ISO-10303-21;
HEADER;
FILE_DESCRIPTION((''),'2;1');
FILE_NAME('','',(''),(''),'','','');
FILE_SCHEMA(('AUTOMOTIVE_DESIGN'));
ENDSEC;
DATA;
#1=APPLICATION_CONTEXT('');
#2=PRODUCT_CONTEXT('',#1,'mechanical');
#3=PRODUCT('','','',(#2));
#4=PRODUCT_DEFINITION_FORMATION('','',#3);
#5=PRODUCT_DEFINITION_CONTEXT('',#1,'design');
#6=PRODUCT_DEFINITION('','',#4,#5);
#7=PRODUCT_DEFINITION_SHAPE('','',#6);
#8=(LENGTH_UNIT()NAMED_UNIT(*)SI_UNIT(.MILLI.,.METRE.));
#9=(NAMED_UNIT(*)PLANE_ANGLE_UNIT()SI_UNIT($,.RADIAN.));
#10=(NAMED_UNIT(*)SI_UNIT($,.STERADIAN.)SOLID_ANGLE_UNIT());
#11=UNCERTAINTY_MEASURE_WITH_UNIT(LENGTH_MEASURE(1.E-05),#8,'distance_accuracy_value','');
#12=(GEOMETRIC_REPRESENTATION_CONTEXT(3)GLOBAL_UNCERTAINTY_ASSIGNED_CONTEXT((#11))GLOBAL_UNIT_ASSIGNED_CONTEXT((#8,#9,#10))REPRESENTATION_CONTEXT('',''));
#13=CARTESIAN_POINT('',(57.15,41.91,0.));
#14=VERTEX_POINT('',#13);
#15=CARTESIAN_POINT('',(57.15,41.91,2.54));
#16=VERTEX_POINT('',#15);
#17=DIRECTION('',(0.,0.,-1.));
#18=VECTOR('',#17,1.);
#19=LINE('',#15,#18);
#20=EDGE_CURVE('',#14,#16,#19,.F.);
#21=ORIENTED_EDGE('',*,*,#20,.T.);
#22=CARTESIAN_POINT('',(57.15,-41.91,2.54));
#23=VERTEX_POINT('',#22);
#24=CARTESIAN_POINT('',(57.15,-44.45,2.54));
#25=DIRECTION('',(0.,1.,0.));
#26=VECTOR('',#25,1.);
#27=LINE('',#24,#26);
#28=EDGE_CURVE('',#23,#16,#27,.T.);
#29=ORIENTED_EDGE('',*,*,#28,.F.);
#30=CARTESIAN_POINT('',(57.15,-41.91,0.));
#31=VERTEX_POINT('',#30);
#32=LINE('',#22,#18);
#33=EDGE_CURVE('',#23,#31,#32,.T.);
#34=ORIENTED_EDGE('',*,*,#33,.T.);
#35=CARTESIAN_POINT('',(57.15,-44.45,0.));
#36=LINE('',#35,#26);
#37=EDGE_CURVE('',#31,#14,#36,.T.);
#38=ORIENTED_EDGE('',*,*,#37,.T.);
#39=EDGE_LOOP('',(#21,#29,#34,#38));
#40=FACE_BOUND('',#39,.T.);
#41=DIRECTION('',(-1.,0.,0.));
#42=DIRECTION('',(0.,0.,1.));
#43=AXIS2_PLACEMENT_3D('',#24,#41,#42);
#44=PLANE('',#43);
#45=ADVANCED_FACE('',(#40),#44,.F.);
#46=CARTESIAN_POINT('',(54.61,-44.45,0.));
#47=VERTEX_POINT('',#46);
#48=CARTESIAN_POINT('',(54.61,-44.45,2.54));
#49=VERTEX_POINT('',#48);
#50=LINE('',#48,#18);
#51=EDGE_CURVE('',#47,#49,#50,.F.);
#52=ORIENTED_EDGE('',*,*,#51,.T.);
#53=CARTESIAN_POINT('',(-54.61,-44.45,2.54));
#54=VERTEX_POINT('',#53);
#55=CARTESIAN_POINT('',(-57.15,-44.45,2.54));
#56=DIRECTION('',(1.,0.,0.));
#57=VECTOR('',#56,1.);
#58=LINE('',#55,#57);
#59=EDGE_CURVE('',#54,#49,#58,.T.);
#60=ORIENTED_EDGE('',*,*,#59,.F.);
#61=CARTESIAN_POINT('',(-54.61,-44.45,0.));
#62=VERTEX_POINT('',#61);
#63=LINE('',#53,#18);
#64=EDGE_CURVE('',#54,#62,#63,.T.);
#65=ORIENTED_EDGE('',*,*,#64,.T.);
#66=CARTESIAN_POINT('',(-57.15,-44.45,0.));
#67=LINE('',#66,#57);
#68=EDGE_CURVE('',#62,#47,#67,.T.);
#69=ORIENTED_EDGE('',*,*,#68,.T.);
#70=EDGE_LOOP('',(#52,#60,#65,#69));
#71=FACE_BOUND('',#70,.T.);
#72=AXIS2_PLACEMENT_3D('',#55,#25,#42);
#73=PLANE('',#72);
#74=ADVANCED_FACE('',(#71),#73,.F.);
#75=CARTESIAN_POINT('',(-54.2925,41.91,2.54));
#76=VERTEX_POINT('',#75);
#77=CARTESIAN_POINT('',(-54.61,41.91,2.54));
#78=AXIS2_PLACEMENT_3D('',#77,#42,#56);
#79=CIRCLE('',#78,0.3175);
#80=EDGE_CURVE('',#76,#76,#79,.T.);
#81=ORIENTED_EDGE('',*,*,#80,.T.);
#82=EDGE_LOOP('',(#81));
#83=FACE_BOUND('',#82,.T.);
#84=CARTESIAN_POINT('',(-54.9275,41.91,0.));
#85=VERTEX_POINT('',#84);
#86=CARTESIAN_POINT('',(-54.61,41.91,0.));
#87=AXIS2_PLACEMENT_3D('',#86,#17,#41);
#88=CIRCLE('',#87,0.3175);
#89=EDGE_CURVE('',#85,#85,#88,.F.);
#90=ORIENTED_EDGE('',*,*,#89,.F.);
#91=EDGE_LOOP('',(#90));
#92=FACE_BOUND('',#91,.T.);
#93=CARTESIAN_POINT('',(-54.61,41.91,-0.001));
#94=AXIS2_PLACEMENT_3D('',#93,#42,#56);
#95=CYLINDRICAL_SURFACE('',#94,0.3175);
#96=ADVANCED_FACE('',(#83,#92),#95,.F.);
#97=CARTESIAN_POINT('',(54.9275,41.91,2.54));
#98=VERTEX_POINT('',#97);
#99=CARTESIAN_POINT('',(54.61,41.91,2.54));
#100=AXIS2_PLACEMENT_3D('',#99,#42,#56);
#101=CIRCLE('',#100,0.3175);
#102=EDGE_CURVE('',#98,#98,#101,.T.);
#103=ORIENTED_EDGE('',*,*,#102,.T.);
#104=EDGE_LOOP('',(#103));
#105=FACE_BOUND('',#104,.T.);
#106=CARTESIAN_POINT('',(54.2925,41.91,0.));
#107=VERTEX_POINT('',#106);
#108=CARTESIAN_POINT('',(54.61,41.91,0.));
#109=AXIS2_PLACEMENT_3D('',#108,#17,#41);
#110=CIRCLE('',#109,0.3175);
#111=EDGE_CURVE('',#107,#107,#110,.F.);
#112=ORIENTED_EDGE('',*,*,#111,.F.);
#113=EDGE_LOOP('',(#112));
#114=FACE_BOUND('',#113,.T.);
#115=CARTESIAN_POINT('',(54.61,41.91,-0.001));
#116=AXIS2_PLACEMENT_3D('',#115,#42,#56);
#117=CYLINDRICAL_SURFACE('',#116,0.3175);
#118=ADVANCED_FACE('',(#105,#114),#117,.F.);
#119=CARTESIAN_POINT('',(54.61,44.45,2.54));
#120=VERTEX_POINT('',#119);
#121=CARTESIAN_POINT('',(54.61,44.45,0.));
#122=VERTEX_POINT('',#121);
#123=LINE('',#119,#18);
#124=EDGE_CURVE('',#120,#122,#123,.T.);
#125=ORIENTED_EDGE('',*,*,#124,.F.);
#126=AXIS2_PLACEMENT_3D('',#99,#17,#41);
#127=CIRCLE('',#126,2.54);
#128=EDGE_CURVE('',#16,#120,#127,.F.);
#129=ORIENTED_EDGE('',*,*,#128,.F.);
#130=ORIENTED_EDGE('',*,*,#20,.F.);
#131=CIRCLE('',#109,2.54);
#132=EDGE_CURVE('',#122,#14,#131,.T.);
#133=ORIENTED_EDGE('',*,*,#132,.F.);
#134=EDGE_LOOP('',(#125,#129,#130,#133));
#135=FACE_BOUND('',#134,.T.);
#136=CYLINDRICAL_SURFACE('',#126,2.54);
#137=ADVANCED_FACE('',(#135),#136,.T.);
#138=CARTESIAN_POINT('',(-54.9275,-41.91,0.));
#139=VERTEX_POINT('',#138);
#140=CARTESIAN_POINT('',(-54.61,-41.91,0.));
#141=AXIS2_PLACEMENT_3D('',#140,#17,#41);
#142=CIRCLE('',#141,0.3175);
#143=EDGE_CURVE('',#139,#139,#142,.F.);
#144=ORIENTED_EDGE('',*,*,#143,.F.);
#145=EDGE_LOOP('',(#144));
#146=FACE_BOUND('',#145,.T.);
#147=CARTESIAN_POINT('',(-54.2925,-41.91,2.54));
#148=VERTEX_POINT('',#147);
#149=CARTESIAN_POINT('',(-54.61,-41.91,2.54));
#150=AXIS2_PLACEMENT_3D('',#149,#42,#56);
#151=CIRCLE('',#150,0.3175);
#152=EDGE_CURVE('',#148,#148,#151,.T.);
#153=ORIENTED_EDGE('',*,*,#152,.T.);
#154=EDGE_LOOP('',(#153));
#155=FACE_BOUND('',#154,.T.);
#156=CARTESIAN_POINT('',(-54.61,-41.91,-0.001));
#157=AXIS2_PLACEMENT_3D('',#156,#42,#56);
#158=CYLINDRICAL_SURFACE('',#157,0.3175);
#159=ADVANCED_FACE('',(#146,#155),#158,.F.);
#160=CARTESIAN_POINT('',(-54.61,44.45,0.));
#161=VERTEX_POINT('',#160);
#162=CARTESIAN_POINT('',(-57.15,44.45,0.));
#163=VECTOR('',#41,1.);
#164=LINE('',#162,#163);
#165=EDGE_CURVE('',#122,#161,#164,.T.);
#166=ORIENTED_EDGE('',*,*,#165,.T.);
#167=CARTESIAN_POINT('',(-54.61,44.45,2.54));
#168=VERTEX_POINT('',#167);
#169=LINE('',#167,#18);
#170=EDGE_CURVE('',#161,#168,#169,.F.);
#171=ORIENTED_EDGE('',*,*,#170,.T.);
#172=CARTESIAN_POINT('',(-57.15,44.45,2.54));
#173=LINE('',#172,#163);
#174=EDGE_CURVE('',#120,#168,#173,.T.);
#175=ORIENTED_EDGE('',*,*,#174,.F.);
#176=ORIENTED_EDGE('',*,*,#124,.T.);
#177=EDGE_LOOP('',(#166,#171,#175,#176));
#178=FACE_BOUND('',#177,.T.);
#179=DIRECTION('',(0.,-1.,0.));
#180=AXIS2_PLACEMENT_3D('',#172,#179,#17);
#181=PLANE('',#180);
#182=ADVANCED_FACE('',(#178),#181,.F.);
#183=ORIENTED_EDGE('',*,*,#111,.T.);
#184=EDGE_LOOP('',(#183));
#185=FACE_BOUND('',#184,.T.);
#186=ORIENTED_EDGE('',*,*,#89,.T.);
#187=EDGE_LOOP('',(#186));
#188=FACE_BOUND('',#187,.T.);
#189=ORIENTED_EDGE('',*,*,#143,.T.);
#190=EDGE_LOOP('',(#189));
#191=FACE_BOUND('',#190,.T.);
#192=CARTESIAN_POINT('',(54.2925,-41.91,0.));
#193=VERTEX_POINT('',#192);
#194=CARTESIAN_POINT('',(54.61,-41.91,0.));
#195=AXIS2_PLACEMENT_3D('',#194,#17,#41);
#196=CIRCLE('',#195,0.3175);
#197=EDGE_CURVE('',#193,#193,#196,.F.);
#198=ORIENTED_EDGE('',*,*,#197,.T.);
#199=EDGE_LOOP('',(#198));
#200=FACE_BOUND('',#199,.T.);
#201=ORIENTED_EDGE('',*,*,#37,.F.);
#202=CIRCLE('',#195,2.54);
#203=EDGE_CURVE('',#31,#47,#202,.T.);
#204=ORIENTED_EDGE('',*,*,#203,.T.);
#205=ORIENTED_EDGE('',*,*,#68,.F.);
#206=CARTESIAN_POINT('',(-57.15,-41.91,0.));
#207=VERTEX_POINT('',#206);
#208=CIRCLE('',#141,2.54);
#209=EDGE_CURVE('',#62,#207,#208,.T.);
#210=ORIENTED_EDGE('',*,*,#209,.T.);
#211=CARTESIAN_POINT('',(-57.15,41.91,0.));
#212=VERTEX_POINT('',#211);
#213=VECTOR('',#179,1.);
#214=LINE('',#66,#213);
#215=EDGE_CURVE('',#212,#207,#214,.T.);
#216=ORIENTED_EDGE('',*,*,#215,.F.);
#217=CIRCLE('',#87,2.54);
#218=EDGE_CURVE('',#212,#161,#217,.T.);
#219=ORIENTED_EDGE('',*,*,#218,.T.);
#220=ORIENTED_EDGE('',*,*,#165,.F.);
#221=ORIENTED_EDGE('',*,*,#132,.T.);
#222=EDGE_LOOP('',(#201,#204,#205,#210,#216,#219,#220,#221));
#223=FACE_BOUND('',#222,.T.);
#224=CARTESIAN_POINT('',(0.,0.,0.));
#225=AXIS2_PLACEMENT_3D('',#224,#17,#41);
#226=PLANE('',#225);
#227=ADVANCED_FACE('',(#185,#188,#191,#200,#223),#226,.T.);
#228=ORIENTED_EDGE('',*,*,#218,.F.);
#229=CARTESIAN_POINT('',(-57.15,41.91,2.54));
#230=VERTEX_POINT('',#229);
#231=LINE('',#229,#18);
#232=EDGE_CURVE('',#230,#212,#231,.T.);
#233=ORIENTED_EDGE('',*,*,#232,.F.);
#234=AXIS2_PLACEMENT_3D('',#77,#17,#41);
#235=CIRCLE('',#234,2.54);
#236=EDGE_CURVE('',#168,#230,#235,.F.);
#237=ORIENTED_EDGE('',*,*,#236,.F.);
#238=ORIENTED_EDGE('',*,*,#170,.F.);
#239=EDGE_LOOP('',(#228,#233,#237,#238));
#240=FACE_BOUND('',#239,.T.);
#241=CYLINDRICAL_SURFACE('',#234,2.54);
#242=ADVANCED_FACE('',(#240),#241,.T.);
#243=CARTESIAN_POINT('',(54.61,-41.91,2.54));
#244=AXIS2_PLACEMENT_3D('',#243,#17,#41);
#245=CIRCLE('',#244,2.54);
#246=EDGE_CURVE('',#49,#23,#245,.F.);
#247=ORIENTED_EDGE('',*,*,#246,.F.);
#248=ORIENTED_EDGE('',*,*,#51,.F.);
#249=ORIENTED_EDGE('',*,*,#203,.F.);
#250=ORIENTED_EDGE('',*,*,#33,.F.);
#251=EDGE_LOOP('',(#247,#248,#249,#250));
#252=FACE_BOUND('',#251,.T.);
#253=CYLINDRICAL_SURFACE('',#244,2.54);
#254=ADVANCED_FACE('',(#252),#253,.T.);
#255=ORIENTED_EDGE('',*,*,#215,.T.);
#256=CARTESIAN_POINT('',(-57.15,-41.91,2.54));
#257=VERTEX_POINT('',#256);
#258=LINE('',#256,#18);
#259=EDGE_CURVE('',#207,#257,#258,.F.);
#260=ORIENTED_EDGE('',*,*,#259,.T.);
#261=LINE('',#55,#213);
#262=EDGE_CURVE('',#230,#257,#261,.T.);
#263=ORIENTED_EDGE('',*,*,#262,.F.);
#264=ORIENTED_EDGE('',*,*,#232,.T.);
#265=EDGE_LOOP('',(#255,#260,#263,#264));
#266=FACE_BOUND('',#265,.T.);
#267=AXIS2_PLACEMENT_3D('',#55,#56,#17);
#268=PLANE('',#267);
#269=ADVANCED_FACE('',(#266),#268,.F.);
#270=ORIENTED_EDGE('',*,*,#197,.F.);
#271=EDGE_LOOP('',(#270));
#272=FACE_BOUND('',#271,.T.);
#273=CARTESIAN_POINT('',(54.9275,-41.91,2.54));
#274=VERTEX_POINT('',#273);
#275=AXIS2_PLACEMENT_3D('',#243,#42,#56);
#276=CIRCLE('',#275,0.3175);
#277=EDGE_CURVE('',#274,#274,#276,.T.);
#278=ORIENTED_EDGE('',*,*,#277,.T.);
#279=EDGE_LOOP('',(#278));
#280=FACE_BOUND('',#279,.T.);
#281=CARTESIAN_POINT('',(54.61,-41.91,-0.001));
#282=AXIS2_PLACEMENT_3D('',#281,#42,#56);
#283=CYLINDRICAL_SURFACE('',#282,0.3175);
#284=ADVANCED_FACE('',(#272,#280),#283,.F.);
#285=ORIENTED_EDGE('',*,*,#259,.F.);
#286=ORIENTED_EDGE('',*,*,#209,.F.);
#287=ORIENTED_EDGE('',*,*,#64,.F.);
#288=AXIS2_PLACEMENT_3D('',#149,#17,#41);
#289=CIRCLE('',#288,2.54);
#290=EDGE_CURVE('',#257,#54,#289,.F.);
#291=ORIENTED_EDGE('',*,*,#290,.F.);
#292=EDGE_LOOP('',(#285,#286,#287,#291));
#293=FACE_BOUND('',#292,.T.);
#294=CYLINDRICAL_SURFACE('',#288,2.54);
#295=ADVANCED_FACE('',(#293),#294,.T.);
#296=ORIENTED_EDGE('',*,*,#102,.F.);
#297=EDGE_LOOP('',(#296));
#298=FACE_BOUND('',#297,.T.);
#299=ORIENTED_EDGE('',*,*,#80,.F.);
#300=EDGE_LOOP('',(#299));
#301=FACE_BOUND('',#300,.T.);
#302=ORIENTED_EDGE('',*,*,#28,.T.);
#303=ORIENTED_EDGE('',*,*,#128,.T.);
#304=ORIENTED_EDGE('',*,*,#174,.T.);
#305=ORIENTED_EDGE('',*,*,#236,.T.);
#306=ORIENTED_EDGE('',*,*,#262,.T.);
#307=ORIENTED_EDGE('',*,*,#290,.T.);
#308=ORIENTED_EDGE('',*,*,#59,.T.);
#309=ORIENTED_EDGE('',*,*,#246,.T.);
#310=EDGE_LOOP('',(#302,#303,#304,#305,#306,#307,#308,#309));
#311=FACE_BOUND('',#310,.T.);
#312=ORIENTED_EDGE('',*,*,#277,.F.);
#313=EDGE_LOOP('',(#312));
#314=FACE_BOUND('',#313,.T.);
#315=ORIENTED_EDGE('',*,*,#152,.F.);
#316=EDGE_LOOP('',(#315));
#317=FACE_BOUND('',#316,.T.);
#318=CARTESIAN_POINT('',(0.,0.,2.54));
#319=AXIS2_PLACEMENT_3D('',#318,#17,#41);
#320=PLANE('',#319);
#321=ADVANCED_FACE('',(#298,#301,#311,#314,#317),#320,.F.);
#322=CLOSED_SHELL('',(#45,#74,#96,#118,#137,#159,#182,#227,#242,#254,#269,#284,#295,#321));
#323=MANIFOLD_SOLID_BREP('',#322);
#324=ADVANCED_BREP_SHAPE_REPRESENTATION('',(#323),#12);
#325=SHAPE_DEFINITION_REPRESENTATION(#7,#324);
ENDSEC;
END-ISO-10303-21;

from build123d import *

# Parameters (mm, degrees)
SKETCH1_W           = 114.3
SKETCH1_H           = 88.9
BOSS_EXTRUDE1_DEPTH = 2.54
FILLET1_R           = 2.54
CUT_EXTRUDE1_REACH  = 4.54
SKETCH2_R           = 0.3175


with BuildPart() as part:
    # Sketch1 → Boss-Extrude1 (new body)
    with BuildSketch(Plane.XY):
        Rectangle(SKETCH1_W, SKETCH1_H)
    extrude(amount=BOSS_EXTRUDE1_DEPTH)

    # Fillet1
    fillet1_edges = [part.edges().sort_by_distance(p)[0] for p in [
        (57.15, -44.45, 1.27),
        (-57.15, -44.45, 1.27),
        (-57.15, 44.45, 1.27),
        (57.15, 44.45, 1.27),
    ]]
    fillet(fillet1_edges, radius=FILLET1_R)

    # Sketch2 → Cut-Extrude1 (cut, up to next)
    with BuildSketch(Plane.XY.offset(2.54), mode=Mode.PRIVATE) as cut_extrude1_sk1:
        with Locations((-54.61, 41.91)):
            Circle(SKETCH2_R)
    cut_extrude1_tool1 = extrude(cut_extrude1_sk1.sketch, amount=-CUT_EXTRUDE1_REACH, mode=Mode.PRIVATE) & part.part
    add(cut_extrude1_tool1.solids().sort_by_distance((-54.61, 41.91, 2.54))[0], mode=Mode.SUBTRACT)
    # Sketch2 → Cut-Extrude1 (cut, up to next)
    with BuildSketch(Plane.XY.offset(2.54), mode=Mode.PRIVATE) as cut_extrude1_sk2:
        with Locations((54.61, 41.91)):
            Circle(SKETCH2_R)
    cut_extrude1_tool2 = extrude(cut_extrude1_sk2.sketch, amount=-CUT_EXTRUDE1_REACH, mode=Mode.PRIVATE) & part.part
    add(cut_extrude1_tool2.solids().sort_by_distance((54.61, 41.91, 2.54))[0], mode=Mode.SUBTRACT)
    # Sketch2 → Cut-Extrude1 (cut, up to next)
    with BuildSketch(Plane.XY.offset(2.54), mode=Mode.PRIVATE) as cut_extrude1_sk3:
        with Locations((54.61, -41.91)):
            Circle(SKETCH2_R)
    cut_extrude1_tool3 = extrude(cut_extrude1_sk3.sketch, amount=-CUT_EXTRUDE1_REACH, mode=Mode.PRIVATE) & part.part
    add(cut_extrude1_tool3.solids().sort_by_distance((54.61, -41.91, 2.54))[0], mode=Mode.SUBTRACT)
    # Sketch2 → Cut-Extrude1 (cut, up to next)
    with BuildSketch(Plane.XY.offset(2.54), mode=Mode.PRIVATE) as cut_extrude1_sk4:
        with Locations((-54.61, -41.91)):
            Circle(SKETCH2_R)
    cut_extrude1_tool4 = extrude(cut_extrude1_sk4.sketch, amount=-CUT_EXTRUDE1_REACH, mode=Mode.PRIVATE) & part.part
    add(cut_extrude1_tool4.solids().sort_by_distance((-54.61, -41.91, 2.54))[0], mode=Mode.SUBTRACT)


solid = part.part
